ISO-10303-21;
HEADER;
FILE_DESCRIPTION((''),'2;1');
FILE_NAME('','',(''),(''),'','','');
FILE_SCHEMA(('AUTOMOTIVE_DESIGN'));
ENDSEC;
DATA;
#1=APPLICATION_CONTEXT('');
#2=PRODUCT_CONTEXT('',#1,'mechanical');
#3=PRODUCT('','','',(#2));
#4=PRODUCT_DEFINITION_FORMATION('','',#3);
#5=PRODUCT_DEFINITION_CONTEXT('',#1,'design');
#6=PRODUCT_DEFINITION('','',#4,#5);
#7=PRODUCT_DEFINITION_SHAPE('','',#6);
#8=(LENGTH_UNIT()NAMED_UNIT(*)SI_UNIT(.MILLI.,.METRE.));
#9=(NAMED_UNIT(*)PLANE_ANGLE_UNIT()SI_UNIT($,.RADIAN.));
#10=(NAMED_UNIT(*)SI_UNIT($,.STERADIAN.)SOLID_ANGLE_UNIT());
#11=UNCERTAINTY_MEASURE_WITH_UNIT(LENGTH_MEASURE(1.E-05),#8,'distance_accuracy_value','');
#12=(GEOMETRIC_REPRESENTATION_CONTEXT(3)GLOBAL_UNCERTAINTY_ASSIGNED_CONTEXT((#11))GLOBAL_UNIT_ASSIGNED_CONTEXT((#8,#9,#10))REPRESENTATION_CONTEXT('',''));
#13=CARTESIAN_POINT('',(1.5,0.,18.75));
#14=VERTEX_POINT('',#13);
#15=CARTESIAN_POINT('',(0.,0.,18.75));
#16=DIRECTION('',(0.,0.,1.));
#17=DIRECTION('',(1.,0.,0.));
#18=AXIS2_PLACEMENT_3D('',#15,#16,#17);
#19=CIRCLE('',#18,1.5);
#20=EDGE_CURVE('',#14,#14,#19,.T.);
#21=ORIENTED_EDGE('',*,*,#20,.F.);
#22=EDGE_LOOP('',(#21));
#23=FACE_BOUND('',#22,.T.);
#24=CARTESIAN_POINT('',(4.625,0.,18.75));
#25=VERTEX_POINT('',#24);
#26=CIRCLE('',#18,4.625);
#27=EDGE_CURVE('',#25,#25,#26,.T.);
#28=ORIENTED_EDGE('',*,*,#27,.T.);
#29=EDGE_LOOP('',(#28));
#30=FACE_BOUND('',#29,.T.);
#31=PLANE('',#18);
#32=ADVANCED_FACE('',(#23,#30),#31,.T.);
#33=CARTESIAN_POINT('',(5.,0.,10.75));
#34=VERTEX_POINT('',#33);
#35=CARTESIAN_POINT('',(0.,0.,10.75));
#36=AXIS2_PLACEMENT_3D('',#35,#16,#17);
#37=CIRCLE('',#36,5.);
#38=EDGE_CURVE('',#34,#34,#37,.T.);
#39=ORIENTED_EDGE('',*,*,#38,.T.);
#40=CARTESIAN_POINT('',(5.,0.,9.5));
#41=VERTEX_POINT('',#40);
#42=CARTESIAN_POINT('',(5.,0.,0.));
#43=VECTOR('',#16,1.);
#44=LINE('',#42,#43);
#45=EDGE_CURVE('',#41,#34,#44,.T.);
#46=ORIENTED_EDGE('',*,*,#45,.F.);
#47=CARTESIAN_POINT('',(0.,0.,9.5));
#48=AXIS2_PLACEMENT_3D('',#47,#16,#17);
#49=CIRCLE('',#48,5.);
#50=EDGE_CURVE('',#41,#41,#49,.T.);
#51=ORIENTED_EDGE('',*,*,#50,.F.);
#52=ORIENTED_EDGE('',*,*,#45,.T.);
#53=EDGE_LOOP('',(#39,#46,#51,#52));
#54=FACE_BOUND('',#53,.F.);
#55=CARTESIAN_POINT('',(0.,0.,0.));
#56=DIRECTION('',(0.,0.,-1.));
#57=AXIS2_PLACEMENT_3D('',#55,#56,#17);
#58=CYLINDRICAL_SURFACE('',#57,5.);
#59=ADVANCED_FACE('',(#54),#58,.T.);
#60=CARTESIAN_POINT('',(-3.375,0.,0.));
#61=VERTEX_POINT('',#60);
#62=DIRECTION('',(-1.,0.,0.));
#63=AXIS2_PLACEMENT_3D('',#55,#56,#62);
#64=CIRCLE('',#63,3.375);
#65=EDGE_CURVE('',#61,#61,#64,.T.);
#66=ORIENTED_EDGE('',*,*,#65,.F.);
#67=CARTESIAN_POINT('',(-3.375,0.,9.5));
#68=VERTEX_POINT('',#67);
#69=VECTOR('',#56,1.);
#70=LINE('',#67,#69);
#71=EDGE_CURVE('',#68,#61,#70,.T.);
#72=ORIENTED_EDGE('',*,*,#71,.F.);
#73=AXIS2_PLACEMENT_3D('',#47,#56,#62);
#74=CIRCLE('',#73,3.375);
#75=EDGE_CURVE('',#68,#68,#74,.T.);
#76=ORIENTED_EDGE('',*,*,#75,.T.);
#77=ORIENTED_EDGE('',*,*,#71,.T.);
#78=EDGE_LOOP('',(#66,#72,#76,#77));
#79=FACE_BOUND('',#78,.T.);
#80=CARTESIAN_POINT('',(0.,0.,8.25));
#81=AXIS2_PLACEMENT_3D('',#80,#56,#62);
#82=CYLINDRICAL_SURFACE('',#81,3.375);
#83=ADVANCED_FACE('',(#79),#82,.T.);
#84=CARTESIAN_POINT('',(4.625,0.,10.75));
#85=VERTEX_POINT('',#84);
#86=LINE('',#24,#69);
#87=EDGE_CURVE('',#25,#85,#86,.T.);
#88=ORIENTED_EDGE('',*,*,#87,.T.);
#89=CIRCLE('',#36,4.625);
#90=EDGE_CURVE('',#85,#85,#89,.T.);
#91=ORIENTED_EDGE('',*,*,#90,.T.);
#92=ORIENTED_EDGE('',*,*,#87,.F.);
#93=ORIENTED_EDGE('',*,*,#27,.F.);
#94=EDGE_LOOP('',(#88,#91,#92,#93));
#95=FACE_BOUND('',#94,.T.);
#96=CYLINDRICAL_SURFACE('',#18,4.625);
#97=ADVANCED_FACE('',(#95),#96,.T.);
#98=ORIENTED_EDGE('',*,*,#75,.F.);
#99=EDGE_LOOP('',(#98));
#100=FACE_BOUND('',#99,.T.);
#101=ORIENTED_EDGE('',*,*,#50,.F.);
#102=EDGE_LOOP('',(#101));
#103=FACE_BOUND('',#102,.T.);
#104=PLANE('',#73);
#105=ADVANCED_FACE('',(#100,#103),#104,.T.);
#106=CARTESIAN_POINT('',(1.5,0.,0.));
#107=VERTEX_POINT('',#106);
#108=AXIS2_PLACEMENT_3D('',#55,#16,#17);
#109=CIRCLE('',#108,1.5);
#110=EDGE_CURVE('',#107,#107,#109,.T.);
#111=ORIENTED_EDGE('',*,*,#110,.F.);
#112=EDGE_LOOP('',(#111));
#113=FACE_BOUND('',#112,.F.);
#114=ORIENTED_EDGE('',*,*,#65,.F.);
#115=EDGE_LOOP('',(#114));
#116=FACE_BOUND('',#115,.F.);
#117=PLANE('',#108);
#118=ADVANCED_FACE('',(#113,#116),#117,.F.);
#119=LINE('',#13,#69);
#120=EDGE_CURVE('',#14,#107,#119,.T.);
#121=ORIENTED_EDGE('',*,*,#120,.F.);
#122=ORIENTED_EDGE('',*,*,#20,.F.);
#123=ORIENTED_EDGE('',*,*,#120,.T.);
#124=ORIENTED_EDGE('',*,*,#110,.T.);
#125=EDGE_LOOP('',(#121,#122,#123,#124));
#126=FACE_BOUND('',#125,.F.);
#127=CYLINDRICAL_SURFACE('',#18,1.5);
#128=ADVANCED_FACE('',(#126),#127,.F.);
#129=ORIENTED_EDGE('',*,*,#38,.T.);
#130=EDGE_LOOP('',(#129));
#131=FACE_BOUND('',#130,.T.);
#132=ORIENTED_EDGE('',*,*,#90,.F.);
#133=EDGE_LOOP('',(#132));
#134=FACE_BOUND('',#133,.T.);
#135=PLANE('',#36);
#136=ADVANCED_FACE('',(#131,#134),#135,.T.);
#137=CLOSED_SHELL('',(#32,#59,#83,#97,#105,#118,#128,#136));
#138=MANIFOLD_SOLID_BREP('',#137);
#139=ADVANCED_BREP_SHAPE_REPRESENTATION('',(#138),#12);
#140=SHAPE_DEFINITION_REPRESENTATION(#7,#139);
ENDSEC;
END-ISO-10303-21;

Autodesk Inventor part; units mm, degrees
ref_plane "YZ Plane" through (0, 0, 0) normal (1, 0, 0) x (0, 1, 0)
ref_plane "XZ Plane" through (0, 0, 0) normal (0, 1, 0) x (-1, 0, 0)
ref_plane "XY Plane" through (0, 0, 0) normal (0, 0, 1) x (1, 0, 0)
sketch "Sketch1" plane through (0, 0, 0) normal (0, 0, 1) x (1, 0, 0)
  circle A0 centre (0, 0) radius 5
  dimension "d0" = 10
extrude "Extrusion1" add sketch "Sketch1" along normal blind 18.75
sketch "Sketch2" plane through (0, 0, 18.75) normal (0, 0, 1) x (1, 0, 0)
  circle A0 centre (0, 0) radius 5
  circle A1 centre (0, 0) radius 4.625
  dimension "d3" = 9.25
extrude "Extrusion2" cut sketch "Sketch2" against normal blind 8
sketch "Sketch3" plane through (0, 0, 18.75) normal (0, 0, 1) x (1, 0, 0)
  circle A0 centre (0, 0) radius 1.5
  dimension "d6" = 3
extrude "Extrusion3" cut sketch "Sketch3" against normal blind 50
sketch "Sketch4" plane through (0, 0, 0) normal (0, 0, -1) x (-1, 0, 0)
  circle A0 centre (0, 0) radius 3.375
  circle A1 centre (0, 0) radius 5
  dimension "d9" = 6.75
  dimension "d10" = 10
extrude "Extrusion4" cut sketch "Sketch4" against normal blind 8.25
sketch "Sketch5" plane through (0, 0, 8.25) normal (0, 0, -1) x (-1, 0, 0)
  circle A0 centre (0, 0) radius 3.375
  circle A1 centre (0, 0) radius 3.375 projected
  circle A2 centre (0, 0) radius 5
  dimension "d13" = 6.75
  dimension "d14" = 10
thread "Thread1" size "M7x1" class "6g" standard "ANSI Metric M Profile" full length
thread "Thread2" size "M10x1.5" class "6g" standard "ANSI Metric M Profile" full length
sketch "Sketch6" plane through (0, 0, 8.25) normal (0, 0, -1) x (-1, 0, 0)
  circle A0 centre (0, 0) radius 3.375
  circle A1 centre (0, 0) radius 5
extrude "Extrusion5" cut sketch "Sketch6" against normal blind 1.25
properties part number "cuvette_holder_fiber_optics_connector"
